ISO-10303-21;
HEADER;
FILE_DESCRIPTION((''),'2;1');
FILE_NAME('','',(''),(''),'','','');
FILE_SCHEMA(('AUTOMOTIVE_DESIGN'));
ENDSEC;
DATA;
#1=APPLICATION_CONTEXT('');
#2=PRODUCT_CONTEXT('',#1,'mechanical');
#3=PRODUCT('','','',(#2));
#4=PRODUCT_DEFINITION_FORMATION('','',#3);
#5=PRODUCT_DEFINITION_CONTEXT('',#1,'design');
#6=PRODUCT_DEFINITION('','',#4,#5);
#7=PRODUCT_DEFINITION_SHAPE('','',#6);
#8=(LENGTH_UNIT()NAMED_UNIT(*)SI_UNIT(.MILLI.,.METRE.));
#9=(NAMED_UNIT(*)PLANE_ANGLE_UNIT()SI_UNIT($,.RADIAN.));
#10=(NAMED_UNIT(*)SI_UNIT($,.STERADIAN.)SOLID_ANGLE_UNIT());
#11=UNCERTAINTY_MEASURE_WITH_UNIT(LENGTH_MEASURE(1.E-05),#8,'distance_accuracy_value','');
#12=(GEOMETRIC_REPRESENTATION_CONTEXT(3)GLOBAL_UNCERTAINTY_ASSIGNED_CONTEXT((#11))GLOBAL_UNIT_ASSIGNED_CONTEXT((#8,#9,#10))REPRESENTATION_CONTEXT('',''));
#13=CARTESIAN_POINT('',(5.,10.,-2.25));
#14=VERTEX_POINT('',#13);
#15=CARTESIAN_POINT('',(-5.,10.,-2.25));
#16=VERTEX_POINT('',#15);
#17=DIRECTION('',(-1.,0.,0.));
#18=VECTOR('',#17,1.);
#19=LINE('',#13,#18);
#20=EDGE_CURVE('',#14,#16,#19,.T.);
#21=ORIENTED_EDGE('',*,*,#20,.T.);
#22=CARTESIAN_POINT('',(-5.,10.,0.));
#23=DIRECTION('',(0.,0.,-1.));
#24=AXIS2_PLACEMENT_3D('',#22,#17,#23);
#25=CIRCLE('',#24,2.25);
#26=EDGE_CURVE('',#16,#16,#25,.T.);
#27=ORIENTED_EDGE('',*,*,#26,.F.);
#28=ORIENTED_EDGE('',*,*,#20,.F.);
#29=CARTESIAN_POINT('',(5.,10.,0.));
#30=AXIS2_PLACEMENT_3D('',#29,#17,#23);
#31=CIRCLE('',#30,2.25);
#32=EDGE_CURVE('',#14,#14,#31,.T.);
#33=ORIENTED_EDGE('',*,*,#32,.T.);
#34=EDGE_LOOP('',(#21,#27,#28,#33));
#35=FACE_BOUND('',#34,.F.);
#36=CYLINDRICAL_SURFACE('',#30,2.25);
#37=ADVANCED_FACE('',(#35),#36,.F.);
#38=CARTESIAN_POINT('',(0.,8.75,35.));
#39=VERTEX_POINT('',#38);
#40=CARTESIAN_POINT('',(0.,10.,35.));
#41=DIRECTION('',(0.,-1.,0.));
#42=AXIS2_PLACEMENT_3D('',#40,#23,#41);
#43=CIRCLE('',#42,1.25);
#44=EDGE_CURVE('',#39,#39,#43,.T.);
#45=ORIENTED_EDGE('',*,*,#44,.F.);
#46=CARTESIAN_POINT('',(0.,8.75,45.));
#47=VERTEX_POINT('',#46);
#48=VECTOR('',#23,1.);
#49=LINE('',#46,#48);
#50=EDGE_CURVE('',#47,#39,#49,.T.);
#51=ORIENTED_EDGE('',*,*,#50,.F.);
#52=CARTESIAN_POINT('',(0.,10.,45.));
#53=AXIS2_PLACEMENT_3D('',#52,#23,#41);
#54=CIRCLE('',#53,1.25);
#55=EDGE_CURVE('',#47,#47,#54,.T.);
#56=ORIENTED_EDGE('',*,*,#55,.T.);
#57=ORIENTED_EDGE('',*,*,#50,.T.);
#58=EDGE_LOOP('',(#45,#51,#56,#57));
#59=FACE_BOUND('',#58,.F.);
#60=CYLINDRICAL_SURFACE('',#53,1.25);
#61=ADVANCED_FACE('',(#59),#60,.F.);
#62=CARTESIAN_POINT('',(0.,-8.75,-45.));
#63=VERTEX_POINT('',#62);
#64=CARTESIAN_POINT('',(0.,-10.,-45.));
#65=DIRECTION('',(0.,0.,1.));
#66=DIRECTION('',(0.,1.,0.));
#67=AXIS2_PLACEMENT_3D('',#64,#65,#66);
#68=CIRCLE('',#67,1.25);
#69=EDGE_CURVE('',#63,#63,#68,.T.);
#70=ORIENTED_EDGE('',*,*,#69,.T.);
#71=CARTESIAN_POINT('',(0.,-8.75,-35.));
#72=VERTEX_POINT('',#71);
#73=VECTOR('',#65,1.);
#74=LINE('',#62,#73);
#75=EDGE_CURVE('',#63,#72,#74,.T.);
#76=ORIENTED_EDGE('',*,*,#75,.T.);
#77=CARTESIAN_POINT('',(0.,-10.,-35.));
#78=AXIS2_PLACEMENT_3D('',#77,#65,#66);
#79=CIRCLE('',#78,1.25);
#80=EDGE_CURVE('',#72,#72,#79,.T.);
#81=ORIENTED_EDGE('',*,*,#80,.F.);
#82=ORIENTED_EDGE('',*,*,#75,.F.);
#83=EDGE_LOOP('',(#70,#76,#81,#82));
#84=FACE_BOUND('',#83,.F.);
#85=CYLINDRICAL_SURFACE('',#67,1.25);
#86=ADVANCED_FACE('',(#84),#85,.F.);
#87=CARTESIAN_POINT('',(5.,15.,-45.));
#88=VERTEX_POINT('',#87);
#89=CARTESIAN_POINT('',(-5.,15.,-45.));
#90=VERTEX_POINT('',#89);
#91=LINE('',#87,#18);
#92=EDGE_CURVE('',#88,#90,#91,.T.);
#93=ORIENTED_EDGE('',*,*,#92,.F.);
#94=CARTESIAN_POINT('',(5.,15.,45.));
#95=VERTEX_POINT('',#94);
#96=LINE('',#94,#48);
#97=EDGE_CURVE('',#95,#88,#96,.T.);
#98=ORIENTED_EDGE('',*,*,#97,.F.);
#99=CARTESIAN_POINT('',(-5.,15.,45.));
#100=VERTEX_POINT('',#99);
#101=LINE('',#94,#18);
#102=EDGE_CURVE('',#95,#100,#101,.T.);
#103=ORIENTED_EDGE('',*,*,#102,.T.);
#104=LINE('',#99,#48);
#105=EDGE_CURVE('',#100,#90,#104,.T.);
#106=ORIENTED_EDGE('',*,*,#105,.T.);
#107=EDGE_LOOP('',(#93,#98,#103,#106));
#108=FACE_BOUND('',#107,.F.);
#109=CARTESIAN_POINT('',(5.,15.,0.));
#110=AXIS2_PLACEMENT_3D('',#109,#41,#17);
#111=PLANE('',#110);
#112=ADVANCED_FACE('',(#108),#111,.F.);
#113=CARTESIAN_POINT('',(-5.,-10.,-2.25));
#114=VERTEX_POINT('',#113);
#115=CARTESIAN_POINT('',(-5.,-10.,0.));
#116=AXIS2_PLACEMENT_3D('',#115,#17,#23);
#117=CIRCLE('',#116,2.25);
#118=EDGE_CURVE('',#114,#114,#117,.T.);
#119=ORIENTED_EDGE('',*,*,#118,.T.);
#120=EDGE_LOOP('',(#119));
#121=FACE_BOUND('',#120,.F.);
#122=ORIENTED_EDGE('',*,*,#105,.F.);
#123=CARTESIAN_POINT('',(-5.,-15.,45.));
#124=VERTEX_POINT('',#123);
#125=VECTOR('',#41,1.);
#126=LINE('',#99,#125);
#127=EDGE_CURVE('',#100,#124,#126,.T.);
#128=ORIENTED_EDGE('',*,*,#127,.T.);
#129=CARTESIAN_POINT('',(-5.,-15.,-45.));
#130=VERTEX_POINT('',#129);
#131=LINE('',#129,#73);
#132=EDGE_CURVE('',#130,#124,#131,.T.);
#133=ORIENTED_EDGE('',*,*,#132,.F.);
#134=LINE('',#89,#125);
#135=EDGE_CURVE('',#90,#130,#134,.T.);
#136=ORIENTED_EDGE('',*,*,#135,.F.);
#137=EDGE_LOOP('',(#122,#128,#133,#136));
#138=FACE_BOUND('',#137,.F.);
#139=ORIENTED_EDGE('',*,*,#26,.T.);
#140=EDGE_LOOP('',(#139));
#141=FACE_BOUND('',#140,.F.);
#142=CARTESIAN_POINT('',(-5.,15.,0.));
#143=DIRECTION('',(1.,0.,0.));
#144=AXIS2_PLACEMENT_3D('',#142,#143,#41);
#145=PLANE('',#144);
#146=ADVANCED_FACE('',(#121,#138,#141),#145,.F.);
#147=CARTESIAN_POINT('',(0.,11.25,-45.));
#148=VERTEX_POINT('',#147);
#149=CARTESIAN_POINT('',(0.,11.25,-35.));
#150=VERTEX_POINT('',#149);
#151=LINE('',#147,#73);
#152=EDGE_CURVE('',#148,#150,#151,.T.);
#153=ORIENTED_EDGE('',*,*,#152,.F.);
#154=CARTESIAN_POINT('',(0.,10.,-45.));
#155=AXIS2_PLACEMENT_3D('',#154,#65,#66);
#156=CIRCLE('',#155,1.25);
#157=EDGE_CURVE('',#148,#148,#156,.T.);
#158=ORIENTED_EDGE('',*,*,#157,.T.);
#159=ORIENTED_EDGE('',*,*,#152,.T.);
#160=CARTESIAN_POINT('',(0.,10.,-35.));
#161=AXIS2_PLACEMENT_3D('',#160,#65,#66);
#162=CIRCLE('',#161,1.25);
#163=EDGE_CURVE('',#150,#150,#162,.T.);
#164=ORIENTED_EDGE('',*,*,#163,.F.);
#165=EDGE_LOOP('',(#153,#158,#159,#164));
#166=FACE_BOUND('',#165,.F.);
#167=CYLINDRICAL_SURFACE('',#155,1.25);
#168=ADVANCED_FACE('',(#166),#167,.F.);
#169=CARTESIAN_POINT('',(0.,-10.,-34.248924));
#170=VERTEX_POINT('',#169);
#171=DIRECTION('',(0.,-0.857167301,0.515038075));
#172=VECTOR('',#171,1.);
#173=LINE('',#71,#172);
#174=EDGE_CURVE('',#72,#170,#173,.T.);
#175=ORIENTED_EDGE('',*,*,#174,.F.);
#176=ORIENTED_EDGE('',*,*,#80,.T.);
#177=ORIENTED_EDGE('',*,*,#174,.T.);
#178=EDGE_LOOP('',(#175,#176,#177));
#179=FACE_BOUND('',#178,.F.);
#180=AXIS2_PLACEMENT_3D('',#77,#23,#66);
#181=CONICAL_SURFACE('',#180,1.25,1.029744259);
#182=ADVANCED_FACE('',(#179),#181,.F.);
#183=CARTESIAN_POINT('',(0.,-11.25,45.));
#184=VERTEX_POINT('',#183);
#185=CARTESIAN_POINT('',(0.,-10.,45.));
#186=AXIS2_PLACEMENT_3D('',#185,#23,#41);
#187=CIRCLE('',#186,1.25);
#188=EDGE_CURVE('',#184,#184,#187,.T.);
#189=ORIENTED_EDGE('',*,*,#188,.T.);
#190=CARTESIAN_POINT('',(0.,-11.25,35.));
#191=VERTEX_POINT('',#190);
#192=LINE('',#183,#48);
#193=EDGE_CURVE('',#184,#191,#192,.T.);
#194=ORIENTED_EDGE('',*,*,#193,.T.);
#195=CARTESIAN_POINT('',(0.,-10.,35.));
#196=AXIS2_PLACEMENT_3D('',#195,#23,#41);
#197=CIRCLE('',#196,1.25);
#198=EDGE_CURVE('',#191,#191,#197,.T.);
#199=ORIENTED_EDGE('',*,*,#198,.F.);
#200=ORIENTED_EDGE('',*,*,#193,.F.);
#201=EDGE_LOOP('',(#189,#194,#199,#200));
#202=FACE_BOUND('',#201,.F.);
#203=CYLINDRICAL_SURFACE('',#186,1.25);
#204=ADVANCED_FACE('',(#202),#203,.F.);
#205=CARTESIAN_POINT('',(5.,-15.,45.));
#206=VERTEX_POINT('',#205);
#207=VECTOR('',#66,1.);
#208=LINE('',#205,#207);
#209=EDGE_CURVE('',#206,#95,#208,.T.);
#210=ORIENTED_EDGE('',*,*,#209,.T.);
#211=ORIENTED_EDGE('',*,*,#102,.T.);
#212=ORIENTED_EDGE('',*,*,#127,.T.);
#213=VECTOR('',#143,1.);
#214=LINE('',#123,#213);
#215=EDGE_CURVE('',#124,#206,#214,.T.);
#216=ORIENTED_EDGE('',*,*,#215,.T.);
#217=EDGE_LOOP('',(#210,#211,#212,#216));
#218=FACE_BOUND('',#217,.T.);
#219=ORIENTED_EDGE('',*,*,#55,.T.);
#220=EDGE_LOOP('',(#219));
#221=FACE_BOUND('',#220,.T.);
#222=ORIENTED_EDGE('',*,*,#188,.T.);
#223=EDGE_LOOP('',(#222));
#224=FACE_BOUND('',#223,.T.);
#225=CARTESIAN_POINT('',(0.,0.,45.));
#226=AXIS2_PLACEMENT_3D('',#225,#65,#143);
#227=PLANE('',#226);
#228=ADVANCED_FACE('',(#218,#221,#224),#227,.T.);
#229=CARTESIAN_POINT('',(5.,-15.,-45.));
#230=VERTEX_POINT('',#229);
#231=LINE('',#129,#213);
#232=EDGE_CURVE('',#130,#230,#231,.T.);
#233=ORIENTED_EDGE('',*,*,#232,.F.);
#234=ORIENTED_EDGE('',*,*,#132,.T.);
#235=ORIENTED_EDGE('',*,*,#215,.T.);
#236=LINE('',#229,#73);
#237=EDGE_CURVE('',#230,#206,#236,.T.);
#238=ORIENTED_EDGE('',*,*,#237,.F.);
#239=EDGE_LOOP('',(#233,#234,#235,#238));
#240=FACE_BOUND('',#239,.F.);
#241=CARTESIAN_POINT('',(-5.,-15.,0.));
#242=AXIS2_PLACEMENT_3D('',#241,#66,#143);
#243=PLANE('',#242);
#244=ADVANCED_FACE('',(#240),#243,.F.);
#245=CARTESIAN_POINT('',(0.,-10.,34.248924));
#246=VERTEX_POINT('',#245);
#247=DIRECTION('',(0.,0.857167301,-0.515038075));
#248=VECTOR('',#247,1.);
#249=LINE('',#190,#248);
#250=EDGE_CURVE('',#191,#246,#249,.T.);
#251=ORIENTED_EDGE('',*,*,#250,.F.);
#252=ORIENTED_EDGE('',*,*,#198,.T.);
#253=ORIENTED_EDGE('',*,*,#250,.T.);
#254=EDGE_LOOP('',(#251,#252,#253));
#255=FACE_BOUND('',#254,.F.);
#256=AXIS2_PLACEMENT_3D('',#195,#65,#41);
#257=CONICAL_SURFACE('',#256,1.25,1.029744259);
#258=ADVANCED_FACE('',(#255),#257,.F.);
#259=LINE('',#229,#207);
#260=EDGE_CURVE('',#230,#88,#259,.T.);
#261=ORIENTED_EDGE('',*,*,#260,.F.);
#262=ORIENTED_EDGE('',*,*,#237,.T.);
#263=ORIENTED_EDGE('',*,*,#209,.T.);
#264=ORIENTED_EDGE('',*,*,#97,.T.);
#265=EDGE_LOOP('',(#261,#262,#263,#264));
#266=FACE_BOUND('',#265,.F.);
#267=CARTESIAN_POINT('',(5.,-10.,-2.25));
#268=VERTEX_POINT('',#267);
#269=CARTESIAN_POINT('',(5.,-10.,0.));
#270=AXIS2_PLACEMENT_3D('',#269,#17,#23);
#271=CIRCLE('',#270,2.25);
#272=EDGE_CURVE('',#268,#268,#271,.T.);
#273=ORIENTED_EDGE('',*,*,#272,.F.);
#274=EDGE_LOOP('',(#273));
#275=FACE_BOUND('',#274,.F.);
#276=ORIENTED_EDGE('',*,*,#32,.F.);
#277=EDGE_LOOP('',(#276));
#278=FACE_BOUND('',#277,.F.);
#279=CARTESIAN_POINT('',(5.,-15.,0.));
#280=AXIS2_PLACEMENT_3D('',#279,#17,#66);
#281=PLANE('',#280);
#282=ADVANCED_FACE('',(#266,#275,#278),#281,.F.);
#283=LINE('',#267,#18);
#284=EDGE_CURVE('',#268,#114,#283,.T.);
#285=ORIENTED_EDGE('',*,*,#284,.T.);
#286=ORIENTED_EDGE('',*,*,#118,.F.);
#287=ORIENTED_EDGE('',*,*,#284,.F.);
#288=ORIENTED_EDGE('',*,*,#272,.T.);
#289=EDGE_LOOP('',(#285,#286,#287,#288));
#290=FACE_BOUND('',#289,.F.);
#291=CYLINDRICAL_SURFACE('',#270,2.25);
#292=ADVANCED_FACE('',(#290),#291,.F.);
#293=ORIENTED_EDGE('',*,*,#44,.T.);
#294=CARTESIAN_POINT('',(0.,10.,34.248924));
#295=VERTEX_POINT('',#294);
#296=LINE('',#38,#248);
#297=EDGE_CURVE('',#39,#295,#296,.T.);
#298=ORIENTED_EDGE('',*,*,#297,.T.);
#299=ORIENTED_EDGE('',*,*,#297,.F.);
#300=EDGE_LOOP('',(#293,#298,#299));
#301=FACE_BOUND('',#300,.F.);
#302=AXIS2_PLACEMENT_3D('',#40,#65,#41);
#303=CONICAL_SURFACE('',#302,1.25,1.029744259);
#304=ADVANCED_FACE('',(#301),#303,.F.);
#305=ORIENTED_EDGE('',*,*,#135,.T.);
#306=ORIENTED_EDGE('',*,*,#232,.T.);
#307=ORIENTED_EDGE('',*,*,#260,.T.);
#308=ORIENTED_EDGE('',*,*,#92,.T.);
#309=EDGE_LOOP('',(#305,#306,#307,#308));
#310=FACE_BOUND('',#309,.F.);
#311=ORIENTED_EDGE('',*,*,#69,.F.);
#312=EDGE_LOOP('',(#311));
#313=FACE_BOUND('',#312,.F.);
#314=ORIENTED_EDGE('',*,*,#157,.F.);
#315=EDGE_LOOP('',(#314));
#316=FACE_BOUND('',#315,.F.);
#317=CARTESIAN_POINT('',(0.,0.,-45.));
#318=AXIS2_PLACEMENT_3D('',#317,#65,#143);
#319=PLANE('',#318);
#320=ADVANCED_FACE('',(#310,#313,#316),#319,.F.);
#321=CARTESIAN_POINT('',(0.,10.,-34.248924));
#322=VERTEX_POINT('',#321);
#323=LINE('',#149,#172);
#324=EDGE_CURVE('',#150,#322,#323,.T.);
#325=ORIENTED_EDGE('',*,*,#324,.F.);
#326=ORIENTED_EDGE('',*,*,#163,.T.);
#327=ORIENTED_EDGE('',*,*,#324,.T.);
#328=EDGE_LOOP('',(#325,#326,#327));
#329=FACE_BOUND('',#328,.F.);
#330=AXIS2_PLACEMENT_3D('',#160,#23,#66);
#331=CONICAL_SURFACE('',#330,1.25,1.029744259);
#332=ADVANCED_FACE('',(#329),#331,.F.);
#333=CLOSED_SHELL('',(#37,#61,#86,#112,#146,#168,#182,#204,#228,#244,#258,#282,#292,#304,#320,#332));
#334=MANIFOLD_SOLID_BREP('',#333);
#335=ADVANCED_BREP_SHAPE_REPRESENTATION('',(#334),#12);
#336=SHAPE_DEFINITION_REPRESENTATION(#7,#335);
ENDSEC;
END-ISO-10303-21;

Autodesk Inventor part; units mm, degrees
ref_plane "YZ Plane" through (0, 0, 0) normal (1, 0, 0) x (0, 1, 0)
ref_plane "XZ Plane" through (0, 0, 0) normal (0, 1, 0) x (-1, 0, 0)
ref_plane "XY Plane" through (0, 0, 0) normal (0, 0, 1) x (1, 0, 0)
sketch "スケッチ1" plane through (0, 0, 0) normal (0, 0, 1) x (1, 0, 0)
  line L0 (-5, -15) -> (5, -15)
  line L1 (5, -15) -> (5, 15)
  line L2 (5, 15) -> (-5, 15)
  line L3 (-5, 15) -> (-5, -15)
  line L4 (-5, -15) -> (5, 15) construction
  line L5 (5, -15) -> (-5, 15) construction
  point P0 (0, 0)
  dimension "d0" = 10
  dimension "d1" = 30
extrude "押し出し1" add sketch "スケッチ1" along normal mid plane 90
sketch "スケッチ2" plane through (0, 0, 45) normal (0, 0, 1) x (1, 0, 0)
  line L0 (5, 15) -> (-5, 15) projected
  line L1 (5, -15) -> (5, 15) projected
  line L2 (-5, -15) -> (5, -15) projected
  point P0 (0, 0)
  point P1 (0, 10)
  point P2 (0, -10)
  dimension "d4" = 5
  dimension "d5" = 5
  dimension "d6" = 5
  dimension "d7" = 5
hole "穴1" at (0, 10, 45) at (0, -10, 45) direction (0, 0, -1) diameter 2.5 depth 10 tip angle 118
sketch "スケッチ3" plane through (0, 0, -45) normal (0, 0, -1) x (-1, 0, 0)
  circle A0 centre (0, 10) radius 1.25 projected
  circle A1 centre (0, -10) radius 1.25 projected
  point P0 (0, 0)
hole "穴2" at (0, 10, -45) at (0, -10, -45) direction (0, 0, 1) diameter 2.5 depth 10 tip angle 118
sketch "スケッチ4" plane through (5, -15, 45) normal (1, 0, 0) x (0, 0, -1)
  line L0 (90, 30) -> (0, 30) projected
  line L1 (0, 0) -> (0, 30) projected
  point P0 (45, 15)
  point P1 (45, 25)
  point P2 (45, 5)
  point P3 (45, 30)
  dimension "d22" = 5
  dimension "d23" = 20
  dimension "d24" = 45
  dimension "d25" = 45
hole "穴3" at (5, 10, 0) at (5, -10, 0) direction (-1, 0, 0) diameter 4.5 end through all
equation "\"d5\" = d4"
equation "\"d6\" = d4"
equation "\"d7\" = d4"
equation "\"d25\" = d24"
properties part number "ベースパーツ_実験装置取り付け部分"
